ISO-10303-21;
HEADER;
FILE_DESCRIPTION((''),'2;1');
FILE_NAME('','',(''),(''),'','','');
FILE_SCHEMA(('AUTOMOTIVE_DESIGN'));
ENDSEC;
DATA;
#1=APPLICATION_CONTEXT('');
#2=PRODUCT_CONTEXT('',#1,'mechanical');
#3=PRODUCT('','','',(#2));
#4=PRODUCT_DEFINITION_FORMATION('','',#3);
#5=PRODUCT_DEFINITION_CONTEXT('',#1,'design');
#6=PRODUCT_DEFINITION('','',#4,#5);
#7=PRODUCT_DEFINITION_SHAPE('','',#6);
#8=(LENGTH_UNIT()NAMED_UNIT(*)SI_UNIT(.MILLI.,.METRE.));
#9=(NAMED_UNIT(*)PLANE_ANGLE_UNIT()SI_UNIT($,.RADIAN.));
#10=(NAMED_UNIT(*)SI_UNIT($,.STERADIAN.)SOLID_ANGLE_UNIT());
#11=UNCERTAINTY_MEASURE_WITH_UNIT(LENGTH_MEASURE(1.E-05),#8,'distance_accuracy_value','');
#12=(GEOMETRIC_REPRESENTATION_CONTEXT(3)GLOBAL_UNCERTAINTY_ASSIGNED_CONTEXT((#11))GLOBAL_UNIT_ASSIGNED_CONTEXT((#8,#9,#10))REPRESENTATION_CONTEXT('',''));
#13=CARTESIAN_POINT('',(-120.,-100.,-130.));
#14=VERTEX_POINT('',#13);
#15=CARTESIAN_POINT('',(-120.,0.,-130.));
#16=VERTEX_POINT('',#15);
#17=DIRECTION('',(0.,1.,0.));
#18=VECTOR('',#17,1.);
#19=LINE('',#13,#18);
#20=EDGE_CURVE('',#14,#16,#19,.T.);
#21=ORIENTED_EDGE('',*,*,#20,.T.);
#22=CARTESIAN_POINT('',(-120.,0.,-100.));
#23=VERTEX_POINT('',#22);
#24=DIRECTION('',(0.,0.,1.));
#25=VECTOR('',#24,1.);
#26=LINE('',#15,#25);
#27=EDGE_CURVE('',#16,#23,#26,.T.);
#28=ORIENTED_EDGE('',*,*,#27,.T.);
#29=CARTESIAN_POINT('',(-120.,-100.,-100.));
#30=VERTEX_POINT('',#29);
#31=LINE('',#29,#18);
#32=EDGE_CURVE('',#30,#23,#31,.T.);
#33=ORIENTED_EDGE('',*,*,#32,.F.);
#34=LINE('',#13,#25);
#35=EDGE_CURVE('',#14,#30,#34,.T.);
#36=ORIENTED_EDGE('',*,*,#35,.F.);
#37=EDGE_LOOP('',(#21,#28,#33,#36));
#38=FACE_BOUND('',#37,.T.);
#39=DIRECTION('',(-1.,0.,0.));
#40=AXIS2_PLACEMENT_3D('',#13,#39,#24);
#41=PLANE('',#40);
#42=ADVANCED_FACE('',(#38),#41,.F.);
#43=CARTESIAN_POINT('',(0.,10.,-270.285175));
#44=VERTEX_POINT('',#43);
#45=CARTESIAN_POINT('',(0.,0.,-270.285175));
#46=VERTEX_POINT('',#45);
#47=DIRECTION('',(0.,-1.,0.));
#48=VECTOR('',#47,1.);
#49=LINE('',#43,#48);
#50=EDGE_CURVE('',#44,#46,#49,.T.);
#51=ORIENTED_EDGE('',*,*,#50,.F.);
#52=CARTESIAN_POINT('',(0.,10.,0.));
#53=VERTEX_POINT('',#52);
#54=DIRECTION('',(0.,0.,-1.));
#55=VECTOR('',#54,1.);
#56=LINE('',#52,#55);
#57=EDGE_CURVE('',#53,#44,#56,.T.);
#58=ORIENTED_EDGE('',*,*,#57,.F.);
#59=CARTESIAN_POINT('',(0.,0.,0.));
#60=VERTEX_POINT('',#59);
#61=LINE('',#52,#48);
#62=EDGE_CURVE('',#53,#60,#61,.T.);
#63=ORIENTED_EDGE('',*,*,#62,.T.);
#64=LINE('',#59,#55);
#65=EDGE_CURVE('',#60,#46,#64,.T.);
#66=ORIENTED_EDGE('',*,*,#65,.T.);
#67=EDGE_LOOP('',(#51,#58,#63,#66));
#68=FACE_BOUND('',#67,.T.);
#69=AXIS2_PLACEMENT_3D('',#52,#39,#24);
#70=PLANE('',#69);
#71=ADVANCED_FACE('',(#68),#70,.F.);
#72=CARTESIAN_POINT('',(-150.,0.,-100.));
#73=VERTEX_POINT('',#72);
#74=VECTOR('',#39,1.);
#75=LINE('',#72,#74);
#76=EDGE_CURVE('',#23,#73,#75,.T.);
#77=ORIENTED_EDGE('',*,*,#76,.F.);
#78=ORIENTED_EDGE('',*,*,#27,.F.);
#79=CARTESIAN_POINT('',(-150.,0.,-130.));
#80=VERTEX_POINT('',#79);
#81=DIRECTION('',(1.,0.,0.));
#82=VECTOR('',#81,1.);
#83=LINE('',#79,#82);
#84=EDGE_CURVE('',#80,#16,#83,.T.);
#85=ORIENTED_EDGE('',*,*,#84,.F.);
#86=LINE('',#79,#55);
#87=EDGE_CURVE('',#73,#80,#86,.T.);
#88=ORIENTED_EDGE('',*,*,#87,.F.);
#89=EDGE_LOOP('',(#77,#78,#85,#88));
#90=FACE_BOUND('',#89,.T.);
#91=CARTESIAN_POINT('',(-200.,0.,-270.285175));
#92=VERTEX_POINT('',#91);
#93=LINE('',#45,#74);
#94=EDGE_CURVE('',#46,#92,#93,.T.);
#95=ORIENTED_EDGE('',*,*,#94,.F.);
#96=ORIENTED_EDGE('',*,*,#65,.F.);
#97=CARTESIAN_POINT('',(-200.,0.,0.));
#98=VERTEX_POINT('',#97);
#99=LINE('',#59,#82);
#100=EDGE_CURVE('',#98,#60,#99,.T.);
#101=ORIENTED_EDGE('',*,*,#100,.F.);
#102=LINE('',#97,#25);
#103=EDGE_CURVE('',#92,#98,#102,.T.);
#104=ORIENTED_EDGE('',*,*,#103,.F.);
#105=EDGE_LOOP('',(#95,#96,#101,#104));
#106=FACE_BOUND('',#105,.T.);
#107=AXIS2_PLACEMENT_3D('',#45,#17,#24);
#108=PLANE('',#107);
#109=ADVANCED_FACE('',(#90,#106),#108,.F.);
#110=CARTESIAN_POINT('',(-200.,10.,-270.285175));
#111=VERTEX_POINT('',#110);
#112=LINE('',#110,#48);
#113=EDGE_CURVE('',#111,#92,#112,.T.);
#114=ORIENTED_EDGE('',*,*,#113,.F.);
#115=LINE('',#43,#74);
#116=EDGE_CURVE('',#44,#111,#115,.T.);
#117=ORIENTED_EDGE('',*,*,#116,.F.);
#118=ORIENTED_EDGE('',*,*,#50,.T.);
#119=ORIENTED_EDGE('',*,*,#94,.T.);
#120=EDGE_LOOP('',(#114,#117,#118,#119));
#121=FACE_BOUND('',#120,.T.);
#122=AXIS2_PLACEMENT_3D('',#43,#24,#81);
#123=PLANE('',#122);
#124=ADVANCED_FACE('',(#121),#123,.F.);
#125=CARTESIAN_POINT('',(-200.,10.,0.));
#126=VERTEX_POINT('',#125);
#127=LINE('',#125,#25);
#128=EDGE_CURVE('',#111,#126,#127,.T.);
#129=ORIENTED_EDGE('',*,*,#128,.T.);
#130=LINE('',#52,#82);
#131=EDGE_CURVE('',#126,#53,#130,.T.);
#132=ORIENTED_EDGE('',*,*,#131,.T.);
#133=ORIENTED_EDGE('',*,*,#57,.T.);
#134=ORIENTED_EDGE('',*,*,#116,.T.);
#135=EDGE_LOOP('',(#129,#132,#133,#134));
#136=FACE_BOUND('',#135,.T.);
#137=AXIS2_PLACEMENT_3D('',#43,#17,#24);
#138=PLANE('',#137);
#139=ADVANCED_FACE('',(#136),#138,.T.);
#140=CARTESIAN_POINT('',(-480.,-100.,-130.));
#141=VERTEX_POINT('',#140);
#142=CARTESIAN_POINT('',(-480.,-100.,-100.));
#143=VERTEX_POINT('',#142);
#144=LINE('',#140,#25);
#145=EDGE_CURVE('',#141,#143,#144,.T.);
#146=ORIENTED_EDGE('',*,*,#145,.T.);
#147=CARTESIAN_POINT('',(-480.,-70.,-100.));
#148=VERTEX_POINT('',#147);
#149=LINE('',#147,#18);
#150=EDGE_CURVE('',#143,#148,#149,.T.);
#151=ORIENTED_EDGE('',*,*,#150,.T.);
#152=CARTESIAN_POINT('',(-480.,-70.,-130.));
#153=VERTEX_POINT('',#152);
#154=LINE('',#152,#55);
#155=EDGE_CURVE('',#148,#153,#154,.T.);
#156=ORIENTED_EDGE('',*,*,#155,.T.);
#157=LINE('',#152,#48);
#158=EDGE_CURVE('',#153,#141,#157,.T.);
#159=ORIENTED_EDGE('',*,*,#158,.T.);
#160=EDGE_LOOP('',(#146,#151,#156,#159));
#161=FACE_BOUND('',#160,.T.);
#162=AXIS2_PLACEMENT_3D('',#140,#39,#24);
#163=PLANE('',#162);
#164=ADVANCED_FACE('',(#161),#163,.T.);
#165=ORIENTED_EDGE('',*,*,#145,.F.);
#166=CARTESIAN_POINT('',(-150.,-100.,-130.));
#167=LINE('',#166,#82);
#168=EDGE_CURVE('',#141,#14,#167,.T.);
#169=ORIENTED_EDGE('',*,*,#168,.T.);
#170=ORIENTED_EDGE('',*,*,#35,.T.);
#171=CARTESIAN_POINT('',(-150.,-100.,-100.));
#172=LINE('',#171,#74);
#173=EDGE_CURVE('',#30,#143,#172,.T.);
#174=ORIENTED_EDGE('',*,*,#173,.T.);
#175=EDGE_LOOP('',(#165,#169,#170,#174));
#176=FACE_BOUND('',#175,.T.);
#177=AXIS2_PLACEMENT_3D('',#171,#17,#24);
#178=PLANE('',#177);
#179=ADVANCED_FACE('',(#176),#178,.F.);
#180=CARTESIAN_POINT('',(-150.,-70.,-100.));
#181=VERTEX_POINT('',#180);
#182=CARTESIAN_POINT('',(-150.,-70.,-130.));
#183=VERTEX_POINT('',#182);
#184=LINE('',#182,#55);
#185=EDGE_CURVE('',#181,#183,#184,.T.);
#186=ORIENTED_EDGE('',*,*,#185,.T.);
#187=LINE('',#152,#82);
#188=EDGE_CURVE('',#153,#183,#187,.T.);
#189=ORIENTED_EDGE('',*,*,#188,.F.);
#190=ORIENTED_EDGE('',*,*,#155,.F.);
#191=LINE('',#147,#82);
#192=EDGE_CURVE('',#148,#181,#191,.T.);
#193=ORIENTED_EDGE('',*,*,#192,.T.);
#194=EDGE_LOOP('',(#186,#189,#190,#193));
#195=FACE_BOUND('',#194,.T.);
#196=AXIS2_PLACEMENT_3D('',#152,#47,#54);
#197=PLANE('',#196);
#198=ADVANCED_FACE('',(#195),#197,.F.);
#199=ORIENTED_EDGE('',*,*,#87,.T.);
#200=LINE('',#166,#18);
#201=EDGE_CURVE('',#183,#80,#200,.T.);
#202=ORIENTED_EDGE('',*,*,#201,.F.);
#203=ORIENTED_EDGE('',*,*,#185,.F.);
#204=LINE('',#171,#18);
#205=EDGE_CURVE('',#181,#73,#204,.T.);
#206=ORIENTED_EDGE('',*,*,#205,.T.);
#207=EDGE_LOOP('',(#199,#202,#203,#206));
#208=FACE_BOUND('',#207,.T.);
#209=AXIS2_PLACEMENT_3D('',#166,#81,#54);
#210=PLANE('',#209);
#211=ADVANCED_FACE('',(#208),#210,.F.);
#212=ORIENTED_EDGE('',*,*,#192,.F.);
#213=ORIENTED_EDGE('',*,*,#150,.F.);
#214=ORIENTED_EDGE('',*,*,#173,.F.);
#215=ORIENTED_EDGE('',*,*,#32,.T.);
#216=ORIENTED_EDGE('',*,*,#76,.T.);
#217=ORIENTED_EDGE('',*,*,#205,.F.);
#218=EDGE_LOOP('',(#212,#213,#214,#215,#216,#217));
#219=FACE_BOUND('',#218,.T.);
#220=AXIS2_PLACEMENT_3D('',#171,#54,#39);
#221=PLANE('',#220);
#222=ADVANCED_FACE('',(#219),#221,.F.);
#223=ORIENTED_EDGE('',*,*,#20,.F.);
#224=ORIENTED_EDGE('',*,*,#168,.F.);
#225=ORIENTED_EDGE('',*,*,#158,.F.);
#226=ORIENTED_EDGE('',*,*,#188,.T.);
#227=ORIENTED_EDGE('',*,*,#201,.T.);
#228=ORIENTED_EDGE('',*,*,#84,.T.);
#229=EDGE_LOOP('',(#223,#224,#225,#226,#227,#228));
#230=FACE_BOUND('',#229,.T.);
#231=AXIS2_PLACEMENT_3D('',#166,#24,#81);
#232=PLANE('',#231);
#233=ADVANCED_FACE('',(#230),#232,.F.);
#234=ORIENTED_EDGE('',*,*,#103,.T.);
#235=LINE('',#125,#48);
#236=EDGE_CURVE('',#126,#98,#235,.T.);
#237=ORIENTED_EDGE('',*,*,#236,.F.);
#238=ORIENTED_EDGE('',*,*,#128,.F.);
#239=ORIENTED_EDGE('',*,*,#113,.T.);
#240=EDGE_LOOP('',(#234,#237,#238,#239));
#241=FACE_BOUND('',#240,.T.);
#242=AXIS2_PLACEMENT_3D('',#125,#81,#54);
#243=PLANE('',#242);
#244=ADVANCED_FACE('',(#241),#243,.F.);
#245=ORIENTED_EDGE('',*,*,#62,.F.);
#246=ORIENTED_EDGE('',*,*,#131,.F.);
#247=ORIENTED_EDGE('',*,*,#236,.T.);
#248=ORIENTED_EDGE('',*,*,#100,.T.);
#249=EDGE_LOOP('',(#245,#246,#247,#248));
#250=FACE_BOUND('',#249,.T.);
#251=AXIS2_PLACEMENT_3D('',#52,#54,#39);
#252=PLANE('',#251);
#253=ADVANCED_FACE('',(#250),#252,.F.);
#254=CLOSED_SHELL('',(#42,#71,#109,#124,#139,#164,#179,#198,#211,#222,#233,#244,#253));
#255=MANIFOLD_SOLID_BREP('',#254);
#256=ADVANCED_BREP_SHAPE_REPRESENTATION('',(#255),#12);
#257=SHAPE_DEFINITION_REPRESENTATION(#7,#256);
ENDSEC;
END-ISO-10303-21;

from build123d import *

# Parameters (mm, degrees)
SKETCH1_W      = 200
SKETCH1_H      = 270.285174582
EXTRUDE1_DEPTH = 10
SKETCH2_W      = 30
SKETCH2_H      = 30
EXTRUDE2_DEPTH = 100
SKETCH3_W      = 30
SKETCH3_H      = 30
EXTRUDE3_DEPTH = 330


with BuildPart() as part:
    # Sketch1 → Extrude1 (new body)
    with BuildSketch(Plane(origin=(0, 0, 0), x_dir=(1, 0, 0), z_dir=(0, 1, 0))):
        with Locations((-100, 135.142587291)):
            Rectangle(SKETCH1_W, SKETCH1_H)
    extrude(amount=EXTRUDE1_DEPTH)

    # Sketch2 → Extrude2 (add)
    with BuildSketch(Plane.XZ):
        with Locations((-135, -115)):
            Rectangle(SKETCH2_W, SKETCH2_H)
    extrude(amount=EXTRUDE2_DEPTH)

    # Sketch3 → Extrude3 (add)
    with BuildSketch(Plane.ZY.offset(150)):
        with Locations((-115, -85)):
            Rectangle(SKETCH3_W, SKETCH3_H)
    extrude(amount=EXTRUDE3_DEPTH)


solid = part.part
